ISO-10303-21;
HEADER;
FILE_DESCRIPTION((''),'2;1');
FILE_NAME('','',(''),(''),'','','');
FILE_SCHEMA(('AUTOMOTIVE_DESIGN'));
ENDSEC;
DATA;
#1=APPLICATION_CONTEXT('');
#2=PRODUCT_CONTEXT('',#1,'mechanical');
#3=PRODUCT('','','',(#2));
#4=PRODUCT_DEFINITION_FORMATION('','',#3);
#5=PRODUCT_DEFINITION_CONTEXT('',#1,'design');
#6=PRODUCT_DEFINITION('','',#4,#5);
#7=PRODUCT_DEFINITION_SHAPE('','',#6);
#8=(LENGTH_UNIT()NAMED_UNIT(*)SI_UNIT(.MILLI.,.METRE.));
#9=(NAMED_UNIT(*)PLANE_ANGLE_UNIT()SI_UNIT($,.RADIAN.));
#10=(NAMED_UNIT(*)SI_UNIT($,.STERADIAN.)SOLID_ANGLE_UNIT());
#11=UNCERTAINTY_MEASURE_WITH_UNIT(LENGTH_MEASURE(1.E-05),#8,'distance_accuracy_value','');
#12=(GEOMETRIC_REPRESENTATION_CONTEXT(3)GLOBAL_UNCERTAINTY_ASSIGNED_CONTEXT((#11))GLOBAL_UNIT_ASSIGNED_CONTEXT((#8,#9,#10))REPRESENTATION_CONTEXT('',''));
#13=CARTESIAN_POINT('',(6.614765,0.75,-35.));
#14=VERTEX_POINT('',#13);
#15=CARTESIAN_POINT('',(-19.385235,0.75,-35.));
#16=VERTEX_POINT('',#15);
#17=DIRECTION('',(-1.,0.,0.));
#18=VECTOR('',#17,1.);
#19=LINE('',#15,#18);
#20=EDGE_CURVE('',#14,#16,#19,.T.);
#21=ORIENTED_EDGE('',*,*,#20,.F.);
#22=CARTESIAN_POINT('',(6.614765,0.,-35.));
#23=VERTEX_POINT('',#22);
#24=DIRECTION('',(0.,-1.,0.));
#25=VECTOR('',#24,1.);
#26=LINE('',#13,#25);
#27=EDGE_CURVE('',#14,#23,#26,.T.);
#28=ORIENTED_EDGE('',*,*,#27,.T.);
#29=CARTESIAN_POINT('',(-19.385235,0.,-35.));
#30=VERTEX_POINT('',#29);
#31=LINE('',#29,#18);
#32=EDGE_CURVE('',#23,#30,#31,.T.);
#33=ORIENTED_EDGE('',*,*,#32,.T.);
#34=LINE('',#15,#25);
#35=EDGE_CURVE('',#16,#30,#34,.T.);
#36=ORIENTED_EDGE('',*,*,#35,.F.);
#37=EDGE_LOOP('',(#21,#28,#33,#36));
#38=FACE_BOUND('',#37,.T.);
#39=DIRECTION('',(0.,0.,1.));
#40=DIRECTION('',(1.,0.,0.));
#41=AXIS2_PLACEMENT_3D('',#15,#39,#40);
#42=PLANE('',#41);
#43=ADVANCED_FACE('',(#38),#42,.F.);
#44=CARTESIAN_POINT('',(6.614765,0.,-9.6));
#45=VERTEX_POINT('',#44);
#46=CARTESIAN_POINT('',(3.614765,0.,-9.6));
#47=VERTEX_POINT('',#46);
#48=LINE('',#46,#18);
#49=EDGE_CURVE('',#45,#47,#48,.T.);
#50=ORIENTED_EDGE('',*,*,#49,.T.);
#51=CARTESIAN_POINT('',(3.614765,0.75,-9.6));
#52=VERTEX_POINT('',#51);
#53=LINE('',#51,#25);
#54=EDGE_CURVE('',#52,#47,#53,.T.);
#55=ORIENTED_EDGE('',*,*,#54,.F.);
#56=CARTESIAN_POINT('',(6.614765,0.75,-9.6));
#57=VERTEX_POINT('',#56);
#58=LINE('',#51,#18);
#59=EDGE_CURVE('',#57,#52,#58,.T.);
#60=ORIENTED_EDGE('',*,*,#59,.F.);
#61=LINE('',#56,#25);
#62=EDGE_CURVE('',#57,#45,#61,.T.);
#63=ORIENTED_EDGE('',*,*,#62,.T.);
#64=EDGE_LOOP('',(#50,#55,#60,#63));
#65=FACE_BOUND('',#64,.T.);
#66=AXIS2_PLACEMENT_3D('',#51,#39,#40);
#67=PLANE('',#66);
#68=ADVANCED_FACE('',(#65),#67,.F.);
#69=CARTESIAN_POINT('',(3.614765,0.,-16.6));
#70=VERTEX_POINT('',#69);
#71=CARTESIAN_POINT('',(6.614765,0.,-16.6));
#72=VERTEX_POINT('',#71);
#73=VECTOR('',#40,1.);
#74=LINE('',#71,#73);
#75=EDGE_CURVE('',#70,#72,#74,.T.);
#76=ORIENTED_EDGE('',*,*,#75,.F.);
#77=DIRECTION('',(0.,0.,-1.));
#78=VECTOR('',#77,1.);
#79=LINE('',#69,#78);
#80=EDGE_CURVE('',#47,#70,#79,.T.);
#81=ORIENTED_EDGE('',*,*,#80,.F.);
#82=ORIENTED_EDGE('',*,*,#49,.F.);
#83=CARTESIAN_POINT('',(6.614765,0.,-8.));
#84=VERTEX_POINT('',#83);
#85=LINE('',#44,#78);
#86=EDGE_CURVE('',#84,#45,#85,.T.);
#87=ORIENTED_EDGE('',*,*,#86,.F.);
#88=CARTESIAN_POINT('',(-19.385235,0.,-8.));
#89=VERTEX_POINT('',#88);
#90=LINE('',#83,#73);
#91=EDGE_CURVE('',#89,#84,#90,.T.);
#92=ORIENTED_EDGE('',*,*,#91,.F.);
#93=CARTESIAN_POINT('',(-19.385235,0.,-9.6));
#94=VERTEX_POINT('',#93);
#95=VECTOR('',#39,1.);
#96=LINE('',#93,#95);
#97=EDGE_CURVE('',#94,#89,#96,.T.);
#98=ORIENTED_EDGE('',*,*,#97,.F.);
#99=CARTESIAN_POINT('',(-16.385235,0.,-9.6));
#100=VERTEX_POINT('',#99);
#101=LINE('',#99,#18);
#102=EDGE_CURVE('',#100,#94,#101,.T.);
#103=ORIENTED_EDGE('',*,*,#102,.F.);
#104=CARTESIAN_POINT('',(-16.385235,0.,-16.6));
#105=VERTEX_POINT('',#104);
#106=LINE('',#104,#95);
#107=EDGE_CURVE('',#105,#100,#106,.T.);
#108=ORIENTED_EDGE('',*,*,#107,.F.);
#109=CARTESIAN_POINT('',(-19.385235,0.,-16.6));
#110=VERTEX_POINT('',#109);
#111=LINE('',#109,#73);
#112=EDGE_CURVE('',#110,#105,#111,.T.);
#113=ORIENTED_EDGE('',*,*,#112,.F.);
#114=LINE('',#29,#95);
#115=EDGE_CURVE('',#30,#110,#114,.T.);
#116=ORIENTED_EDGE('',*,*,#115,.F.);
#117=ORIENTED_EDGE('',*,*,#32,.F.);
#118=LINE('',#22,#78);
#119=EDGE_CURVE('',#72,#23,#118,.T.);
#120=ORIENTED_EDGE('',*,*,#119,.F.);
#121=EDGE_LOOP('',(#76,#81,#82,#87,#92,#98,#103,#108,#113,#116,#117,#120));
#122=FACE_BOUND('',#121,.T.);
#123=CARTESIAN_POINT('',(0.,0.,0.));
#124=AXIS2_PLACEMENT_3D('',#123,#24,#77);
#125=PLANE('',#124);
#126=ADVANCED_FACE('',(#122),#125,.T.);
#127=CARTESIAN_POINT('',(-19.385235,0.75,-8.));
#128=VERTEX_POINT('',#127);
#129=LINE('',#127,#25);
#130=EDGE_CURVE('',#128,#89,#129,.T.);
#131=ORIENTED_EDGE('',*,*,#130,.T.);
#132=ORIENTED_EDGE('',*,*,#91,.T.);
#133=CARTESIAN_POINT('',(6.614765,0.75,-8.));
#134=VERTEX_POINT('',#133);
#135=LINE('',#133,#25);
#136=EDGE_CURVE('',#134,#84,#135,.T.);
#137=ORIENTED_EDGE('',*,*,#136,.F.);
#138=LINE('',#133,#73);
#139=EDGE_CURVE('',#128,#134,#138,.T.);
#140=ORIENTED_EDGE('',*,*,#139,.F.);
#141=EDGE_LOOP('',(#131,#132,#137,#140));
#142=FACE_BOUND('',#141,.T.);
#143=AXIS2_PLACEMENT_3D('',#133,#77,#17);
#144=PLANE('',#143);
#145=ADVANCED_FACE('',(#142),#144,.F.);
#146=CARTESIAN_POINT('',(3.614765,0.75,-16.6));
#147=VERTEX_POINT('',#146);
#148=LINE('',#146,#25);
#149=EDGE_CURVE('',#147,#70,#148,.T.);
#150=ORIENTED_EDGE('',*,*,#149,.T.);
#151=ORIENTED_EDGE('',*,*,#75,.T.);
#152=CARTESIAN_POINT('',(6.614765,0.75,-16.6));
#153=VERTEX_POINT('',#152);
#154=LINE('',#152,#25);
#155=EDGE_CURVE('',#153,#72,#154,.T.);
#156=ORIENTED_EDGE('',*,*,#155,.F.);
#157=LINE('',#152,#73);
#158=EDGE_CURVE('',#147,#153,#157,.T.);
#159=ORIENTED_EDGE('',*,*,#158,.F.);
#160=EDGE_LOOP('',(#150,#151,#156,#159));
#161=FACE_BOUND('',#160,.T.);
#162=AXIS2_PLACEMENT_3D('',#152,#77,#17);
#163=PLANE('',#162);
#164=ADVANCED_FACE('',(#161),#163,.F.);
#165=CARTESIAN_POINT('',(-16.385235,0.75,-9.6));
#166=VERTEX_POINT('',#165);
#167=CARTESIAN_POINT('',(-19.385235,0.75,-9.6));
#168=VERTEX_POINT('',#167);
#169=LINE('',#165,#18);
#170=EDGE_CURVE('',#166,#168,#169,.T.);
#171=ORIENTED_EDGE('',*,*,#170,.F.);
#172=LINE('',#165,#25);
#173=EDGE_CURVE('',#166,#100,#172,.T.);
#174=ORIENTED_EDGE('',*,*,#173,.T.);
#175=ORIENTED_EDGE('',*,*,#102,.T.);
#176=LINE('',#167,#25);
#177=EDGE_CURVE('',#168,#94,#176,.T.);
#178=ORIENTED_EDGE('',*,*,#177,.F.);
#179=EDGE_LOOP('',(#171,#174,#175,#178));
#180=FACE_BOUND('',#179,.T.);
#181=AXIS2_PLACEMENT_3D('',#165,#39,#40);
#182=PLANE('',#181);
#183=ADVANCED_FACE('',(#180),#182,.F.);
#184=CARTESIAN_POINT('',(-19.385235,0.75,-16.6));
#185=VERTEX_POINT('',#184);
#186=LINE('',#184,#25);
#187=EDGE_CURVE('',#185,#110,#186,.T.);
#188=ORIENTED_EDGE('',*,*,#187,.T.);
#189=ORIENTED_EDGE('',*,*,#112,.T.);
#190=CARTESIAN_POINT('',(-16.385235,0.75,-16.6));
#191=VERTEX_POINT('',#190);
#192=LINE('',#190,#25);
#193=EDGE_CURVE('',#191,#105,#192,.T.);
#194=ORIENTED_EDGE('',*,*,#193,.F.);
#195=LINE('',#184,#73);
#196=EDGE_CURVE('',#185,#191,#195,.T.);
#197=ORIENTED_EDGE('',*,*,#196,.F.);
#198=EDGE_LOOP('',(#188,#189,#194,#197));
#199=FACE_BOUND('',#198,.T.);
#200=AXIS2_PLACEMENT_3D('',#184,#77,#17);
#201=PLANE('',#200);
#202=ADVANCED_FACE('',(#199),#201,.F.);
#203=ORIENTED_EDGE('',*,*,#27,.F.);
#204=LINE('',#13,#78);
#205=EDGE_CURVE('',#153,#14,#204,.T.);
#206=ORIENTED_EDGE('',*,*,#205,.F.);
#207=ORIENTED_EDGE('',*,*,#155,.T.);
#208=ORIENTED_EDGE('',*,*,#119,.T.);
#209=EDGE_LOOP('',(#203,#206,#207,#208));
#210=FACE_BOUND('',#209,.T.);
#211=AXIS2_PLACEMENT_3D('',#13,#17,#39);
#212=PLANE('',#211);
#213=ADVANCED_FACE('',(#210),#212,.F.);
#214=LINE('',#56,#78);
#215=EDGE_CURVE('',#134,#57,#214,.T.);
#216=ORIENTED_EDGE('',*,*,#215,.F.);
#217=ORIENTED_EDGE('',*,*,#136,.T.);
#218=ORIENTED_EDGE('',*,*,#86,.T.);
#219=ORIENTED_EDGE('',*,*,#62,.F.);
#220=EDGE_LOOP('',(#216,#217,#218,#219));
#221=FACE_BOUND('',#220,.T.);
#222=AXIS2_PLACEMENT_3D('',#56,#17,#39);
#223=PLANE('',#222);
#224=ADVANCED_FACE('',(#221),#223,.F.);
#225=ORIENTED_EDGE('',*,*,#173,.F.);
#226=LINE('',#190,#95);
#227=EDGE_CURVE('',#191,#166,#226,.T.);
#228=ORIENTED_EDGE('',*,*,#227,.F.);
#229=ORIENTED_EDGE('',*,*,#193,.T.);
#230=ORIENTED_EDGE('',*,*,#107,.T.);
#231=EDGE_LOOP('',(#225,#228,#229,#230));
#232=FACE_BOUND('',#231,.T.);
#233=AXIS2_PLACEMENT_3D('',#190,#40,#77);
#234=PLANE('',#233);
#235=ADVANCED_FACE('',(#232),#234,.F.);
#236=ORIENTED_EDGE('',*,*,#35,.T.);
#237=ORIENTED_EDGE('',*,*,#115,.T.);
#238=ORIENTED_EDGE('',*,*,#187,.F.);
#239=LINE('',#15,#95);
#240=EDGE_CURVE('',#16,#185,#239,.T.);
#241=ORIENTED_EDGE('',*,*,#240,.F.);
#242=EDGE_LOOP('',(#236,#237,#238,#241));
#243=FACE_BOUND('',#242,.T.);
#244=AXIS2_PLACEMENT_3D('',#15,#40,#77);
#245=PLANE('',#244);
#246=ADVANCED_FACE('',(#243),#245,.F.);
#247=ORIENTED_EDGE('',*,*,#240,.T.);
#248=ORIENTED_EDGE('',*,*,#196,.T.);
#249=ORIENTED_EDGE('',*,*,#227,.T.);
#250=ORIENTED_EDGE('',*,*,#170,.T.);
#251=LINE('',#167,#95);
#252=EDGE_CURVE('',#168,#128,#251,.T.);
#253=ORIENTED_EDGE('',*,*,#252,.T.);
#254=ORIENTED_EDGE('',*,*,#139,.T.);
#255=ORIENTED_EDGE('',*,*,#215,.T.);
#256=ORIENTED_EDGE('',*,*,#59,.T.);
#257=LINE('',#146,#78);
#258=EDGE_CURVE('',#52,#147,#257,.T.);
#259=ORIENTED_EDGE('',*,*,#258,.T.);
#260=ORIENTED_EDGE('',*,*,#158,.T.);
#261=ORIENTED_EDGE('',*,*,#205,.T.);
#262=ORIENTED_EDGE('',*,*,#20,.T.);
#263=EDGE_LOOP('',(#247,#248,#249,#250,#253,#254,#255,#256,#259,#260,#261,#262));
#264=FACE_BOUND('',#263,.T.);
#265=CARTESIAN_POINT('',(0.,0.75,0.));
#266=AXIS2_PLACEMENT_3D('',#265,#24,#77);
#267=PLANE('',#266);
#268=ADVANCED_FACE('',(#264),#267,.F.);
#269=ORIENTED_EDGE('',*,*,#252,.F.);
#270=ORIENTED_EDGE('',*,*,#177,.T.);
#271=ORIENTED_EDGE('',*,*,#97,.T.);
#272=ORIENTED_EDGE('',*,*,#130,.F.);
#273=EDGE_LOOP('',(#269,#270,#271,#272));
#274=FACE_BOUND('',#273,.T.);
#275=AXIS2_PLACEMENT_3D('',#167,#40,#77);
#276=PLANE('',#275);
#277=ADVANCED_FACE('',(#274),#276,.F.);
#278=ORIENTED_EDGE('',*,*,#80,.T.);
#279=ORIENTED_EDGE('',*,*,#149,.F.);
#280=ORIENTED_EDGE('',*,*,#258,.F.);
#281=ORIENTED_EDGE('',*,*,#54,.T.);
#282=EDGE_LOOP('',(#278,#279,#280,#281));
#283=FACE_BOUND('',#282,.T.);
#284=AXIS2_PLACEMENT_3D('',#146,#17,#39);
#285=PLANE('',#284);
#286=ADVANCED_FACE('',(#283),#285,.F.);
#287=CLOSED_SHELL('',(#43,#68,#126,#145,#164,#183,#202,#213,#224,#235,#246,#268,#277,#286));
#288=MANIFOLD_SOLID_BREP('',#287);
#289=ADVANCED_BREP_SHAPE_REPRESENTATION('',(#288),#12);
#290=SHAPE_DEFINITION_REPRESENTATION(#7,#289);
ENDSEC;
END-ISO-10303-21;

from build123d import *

# Parameters (mm, degrees)
BOSS_EXTRUDE1_DEPTH = 0.75


with BuildPart() as part:
    # Sketch1 → Boss-Extrude1 (new body)
    with BuildSketch(Plane(origin=(0, 0, 0), x_dir=(1, 0, 0), z_dir=(0, 1, 0))):
        Polygon((-19.385235072, 35), (6.614764928, 35), (6.614764928, 16.6), (3.614764928, 16.6), (3.614764928, 9.6), (6.614764928, 9.6), (6.614764928, 8), (-19.385235072, 8), (-19.385235072, 9.6), (-16.385235072, 9.6), (-16.385235072, 16.6), (-19.385235072, 16.6), align=None)
    extrude(amount=BOSS_EXTRUDE1_DEPTH)


solid = part.part
